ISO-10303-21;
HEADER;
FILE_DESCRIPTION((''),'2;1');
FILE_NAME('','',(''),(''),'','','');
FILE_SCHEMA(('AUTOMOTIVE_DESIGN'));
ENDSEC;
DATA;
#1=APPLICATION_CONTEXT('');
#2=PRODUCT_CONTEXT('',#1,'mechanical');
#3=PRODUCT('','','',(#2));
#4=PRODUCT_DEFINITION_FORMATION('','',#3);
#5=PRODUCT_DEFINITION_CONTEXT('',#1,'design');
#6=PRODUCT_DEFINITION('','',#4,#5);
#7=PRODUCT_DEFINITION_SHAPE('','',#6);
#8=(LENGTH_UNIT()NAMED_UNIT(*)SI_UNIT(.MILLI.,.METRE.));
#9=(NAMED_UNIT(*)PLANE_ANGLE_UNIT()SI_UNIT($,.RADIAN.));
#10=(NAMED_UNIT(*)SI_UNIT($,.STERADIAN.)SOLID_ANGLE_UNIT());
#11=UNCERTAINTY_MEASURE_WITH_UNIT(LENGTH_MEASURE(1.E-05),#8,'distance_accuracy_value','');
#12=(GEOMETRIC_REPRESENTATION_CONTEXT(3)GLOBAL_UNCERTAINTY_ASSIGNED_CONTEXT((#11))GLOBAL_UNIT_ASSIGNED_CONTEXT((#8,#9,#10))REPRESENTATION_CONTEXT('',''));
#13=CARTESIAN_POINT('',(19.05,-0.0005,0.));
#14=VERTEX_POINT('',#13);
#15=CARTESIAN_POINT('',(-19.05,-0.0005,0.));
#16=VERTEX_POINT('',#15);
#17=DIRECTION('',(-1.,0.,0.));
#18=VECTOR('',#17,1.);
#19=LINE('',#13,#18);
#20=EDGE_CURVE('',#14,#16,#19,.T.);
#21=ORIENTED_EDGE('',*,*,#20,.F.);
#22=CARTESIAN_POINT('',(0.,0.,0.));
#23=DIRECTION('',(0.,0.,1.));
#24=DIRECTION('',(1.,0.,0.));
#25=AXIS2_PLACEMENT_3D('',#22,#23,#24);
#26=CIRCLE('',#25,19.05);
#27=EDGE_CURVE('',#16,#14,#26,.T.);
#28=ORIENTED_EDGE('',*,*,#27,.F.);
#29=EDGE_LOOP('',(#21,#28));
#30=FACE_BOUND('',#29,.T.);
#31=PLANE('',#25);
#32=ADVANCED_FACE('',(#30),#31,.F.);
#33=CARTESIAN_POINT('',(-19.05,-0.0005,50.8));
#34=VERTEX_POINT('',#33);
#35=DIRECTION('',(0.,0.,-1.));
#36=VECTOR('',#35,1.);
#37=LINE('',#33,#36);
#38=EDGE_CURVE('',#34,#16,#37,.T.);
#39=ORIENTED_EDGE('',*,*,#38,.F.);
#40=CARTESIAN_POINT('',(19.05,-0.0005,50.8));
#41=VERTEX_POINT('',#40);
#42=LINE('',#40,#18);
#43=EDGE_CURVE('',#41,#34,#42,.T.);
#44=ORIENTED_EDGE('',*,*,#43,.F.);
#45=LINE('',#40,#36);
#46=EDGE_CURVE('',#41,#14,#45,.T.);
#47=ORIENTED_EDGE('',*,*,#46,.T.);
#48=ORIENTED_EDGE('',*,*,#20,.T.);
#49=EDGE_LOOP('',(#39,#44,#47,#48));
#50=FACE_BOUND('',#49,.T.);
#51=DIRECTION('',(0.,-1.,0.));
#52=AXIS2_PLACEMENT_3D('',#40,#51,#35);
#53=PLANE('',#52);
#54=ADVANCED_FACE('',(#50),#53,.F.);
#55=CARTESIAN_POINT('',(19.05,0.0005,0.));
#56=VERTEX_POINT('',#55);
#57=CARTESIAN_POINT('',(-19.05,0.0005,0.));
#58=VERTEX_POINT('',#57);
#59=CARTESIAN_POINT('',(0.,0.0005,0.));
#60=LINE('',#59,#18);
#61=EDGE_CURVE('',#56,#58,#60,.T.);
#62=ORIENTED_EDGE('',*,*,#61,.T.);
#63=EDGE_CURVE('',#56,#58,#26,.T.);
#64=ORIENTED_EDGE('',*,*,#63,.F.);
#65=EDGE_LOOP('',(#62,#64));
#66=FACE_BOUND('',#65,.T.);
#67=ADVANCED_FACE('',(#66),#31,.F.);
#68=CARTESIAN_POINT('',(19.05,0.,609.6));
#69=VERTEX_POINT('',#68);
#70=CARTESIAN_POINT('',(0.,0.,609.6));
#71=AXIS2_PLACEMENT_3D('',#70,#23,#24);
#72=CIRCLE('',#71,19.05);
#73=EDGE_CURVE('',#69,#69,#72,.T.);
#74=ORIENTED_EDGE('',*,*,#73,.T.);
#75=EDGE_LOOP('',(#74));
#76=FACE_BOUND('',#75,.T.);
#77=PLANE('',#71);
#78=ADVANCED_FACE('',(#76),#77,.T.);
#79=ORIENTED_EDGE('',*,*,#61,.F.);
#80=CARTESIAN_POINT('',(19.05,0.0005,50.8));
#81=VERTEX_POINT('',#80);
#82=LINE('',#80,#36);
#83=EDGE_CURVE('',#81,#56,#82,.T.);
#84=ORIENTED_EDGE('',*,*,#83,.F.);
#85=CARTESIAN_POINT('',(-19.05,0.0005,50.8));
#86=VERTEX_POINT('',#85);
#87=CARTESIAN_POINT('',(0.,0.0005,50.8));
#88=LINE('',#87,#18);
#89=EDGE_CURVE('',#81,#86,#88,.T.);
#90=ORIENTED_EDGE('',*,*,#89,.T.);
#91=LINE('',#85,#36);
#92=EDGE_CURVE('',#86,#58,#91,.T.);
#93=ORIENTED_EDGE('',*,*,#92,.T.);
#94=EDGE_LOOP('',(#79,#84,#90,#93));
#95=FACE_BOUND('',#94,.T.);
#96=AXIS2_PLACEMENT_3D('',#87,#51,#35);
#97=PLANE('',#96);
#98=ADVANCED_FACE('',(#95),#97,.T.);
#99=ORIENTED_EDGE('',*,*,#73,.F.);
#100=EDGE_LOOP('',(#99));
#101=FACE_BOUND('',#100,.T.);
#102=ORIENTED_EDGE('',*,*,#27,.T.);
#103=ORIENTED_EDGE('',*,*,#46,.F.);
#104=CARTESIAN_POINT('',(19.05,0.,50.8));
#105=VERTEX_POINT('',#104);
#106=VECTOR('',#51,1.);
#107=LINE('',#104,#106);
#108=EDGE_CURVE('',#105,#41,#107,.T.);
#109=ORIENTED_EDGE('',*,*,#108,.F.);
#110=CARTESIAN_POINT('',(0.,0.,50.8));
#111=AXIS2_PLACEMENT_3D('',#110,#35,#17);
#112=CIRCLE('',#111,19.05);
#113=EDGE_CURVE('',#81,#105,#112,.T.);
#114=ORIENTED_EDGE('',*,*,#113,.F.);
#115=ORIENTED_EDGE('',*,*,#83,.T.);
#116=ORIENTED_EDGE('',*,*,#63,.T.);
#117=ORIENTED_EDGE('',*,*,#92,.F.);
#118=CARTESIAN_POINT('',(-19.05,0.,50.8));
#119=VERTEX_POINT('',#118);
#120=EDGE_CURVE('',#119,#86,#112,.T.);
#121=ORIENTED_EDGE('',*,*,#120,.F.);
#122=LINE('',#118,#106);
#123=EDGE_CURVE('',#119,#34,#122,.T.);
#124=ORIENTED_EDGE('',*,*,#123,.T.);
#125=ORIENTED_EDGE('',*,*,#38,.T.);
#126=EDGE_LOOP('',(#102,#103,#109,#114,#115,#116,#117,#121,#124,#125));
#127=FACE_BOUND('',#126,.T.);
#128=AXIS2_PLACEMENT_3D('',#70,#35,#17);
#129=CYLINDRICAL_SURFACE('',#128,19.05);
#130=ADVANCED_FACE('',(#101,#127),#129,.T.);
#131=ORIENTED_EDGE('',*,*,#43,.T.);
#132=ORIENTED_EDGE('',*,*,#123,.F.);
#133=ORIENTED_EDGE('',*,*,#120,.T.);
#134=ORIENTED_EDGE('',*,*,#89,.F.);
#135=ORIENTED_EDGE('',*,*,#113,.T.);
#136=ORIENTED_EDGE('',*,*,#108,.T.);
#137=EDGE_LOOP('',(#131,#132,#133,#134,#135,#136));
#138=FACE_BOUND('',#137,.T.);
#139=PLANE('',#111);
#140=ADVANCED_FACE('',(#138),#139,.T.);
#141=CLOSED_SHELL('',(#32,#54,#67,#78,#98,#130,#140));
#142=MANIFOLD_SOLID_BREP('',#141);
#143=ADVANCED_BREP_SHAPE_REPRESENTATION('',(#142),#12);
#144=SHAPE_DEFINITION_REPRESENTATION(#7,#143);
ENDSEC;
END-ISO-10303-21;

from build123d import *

# Parameters (mm, degrees)
SKETCH1_R           = 19.05
BOSS_EXTRUDE2_DEPTH = 609.6
SKETCH2_W           = 38.1
SKETCH2_H           = 0.0005
CUT_EXTRUDE1_DEPTH  = 50.8
SKETCH5_W           = 38.1
SKETCH5_H           = 0.0005
CUT_EXTRUDE6_DEPTH  = 50.8


with BuildPart() as part:
    # Sketch1 → Boss-Extrude2 (new body)
    with BuildSketch(Plane.XY):
        Circle(SKETCH1_R)
    extrude(amount=BOSS_EXTRUDE2_DEPTH)

    # Sketch2 → Cut-Extrude1 (cut)
    with BuildSketch(Plane(origin=(0, 0, 0), x_dir=(-1, 0, 0), z_dir=(0, 0, -1))):
        with Locations((0, 0.00025)):
            Rectangle(SKETCH2_W, SKETCH2_H)
    extrude(amount=-CUT_EXTRUDE1_DEPTH, mode=Mode.SUBTRACT)

    # Sketch5 → Cut-Extrude6 (cut)
    with BuildSketch(Plane(origin=(0, 0, 0), x_dir=(-1, 0, 0), z_dir=(0, 0, -1))):
        with Locations((0, -0.00025)):
            Rectangle(SKETCH5_W, SKETCH5_H)
    extrude(amount=-CUT_EXTRUDE6_DEPTH, mode=Mode.SUBTRACT)


solid = part.part
